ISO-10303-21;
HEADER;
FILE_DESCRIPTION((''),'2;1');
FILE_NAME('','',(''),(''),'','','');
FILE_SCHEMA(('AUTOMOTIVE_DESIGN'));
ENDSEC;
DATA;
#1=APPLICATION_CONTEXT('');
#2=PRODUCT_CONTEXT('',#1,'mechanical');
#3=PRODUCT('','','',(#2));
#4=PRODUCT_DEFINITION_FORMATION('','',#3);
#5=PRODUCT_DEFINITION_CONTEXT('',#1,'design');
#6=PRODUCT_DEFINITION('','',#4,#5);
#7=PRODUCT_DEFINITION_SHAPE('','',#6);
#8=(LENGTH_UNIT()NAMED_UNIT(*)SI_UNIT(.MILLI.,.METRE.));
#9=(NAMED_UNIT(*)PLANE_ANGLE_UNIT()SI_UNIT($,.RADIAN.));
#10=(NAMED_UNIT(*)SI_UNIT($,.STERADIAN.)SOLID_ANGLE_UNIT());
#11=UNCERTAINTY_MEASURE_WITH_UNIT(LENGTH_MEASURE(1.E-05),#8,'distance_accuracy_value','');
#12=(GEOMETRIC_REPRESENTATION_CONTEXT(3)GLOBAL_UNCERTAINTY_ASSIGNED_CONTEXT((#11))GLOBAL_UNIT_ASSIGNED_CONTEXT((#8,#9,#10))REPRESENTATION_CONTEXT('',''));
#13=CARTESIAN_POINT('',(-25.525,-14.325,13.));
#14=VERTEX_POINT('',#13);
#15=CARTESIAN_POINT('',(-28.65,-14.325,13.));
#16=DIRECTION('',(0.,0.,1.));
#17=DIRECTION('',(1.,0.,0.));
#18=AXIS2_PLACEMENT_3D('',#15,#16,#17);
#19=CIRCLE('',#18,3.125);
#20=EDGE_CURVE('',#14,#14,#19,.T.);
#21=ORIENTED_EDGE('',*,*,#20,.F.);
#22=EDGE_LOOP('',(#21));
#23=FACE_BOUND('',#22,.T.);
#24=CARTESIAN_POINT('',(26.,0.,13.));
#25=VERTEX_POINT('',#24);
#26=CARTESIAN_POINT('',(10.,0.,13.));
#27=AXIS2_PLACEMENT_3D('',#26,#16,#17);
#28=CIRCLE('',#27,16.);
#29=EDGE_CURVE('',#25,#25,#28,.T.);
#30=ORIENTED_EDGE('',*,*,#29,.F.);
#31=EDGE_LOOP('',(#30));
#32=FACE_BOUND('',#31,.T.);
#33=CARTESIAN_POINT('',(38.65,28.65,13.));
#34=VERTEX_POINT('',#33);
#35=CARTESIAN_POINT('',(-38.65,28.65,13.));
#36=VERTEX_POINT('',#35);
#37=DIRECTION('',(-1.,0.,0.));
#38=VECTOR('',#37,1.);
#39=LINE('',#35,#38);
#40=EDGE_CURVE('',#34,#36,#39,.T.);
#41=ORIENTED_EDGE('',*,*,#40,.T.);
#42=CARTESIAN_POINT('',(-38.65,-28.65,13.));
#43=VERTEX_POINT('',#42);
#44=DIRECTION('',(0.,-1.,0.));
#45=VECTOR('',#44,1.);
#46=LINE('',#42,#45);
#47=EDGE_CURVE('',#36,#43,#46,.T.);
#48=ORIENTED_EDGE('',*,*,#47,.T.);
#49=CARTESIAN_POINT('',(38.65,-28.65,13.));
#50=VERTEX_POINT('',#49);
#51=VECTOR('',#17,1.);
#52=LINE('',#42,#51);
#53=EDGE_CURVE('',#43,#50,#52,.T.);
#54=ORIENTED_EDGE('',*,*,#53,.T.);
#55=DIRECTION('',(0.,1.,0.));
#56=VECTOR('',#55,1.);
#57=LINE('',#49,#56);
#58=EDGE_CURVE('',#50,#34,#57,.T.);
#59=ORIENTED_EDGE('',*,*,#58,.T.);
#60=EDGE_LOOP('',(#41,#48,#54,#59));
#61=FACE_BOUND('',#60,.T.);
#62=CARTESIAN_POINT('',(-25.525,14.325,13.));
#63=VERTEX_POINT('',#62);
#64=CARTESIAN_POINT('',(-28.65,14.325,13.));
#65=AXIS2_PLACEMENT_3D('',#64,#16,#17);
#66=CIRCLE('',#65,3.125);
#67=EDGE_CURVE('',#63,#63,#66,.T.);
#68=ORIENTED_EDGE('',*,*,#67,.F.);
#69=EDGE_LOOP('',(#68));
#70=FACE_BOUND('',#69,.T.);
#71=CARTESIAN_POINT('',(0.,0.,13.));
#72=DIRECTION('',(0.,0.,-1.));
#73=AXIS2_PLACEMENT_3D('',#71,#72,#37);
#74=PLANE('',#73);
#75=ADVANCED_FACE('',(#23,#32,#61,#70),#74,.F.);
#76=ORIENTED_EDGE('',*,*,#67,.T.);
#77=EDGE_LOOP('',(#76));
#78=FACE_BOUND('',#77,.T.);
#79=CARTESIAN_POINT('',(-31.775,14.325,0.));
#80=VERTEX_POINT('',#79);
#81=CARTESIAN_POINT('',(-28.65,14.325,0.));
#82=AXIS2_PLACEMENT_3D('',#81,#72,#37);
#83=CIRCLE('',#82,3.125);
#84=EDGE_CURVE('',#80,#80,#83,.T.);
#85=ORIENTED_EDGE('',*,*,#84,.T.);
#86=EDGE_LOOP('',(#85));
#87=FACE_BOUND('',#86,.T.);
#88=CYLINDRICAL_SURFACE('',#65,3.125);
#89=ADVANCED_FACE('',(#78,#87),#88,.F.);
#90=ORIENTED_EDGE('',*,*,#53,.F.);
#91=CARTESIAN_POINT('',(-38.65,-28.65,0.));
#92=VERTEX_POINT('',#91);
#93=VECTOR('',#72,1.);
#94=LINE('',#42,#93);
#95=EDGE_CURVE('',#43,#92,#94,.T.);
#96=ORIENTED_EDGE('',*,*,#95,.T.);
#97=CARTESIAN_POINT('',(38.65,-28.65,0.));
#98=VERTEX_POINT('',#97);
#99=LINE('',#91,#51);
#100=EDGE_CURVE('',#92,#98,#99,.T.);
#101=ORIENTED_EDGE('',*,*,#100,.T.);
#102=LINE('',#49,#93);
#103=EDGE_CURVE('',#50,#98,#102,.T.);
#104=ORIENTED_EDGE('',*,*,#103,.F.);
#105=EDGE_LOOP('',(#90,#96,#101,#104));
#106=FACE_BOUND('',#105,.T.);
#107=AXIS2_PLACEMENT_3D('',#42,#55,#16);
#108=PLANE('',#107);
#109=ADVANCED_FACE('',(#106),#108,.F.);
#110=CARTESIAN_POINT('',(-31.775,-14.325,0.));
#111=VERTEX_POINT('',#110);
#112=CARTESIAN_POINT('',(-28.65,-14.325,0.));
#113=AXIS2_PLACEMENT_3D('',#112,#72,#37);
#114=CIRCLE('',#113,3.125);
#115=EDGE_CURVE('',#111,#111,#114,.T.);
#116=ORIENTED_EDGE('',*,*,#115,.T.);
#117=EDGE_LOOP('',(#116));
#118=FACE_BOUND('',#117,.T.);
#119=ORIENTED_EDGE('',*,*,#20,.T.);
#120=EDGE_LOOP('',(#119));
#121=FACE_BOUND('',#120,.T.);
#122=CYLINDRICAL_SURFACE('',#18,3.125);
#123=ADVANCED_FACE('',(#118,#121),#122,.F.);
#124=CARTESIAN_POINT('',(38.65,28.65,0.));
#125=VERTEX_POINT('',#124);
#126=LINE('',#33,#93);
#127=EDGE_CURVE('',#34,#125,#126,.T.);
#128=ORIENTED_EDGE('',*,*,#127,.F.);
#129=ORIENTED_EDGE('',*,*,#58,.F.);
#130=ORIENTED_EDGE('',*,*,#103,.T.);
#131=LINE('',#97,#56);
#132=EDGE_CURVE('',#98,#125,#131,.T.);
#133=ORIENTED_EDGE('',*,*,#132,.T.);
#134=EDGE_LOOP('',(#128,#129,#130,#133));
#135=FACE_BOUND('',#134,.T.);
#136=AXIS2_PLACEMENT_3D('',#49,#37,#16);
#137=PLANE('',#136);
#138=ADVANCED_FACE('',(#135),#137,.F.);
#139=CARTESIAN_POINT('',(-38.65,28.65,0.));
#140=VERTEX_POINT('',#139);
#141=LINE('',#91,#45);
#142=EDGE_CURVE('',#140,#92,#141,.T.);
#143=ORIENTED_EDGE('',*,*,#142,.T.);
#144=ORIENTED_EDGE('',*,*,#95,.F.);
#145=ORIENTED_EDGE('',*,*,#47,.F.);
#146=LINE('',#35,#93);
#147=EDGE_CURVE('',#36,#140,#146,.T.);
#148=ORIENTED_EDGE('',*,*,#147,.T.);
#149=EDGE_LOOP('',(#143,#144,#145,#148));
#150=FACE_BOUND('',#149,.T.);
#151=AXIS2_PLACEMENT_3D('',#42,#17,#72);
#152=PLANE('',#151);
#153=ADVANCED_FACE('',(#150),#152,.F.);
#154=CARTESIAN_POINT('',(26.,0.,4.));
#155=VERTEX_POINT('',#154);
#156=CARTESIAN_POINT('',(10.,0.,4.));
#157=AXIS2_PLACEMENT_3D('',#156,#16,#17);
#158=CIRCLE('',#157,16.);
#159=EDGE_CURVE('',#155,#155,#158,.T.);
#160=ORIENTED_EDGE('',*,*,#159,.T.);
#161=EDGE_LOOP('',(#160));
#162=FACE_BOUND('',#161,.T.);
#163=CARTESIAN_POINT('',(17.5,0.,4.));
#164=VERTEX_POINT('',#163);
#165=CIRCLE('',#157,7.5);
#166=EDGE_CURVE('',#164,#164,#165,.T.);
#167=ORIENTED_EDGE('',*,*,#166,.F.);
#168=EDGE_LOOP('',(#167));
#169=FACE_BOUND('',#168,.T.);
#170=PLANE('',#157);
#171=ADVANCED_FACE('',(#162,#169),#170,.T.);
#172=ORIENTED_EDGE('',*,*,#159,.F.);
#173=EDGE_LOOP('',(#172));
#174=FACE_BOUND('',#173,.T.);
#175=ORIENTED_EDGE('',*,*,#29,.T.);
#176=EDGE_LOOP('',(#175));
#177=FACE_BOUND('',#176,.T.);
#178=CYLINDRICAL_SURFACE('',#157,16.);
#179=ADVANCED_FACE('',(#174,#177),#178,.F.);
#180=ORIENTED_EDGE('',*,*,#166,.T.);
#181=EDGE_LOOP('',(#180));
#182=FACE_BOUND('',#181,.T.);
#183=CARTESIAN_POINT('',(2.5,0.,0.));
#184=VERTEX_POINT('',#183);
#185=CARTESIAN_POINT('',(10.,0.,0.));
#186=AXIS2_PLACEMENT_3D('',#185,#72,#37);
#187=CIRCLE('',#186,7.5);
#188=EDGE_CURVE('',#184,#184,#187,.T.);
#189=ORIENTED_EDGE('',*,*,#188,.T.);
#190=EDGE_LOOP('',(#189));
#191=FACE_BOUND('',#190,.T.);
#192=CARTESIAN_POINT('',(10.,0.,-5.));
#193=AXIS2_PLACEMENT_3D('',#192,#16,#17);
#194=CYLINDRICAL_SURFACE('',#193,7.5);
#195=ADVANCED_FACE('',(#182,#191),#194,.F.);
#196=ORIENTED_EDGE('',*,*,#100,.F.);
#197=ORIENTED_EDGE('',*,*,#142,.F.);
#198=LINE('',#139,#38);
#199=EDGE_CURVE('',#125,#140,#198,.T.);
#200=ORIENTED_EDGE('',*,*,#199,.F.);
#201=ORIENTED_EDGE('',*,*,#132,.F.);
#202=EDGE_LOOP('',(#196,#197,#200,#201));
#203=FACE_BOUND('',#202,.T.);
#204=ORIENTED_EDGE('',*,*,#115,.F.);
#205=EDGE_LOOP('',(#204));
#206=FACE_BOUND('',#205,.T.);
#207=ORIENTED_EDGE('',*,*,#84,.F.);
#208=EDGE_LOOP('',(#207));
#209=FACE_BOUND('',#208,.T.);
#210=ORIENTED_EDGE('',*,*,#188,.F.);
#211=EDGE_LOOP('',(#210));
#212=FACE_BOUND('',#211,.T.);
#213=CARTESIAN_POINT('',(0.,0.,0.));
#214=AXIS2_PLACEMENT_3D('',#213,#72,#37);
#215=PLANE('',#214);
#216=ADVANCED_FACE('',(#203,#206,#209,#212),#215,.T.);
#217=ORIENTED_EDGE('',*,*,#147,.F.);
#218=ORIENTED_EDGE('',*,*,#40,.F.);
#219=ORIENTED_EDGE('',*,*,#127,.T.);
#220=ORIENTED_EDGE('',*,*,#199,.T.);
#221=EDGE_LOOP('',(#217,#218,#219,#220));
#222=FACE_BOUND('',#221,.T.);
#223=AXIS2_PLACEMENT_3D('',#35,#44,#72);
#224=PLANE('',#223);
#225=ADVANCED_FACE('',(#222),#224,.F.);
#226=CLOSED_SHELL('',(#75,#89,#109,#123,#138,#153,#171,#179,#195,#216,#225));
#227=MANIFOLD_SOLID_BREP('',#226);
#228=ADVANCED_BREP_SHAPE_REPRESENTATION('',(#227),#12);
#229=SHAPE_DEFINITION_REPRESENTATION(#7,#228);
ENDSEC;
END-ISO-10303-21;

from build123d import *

# Parameters (mm, degrees)
SKETCH1_W                        = 77.3
SKETCH1_H                        = 57.3
BOSS_EXTRUDE1_DEPTH              = 13
TAP_DRILL_FOR_M6_HELICOIL1_D     = 6.25
TAP_DRILL_FOR_M6_HELICOIL1_DEPTH = 20
TAP_DRILL_FOR_M6_HELICOIL1_TIP   = 1.877689434
SKETCH2_R                        = 16
CUT_EXTRUDE1_DEPTH               = 9
SKETCH6_R                        = 7.5
CUT_EXTRUDE2_DEPTH               = 9


with BuildPart() as part:
    # Sketch1 → Boss-Extrude1 (new body)
    with BuildSketch(Plane.XY):
        Rectangle(SKETCH1_W, SKETCH1_H)
    extrude(amount=BOSS_EXTRUDE1_DEPTH)

    # Tap Drill for M6 Helicoil1
    with Locations(Plane(origin=(-28.65, 14.325, 13), x_dir=(1, 0, 0), z_dir=(0, 0, 1))):
        with Locations((0, 0), (0, -28.65)):
            Hole(TAP_DRILL_FOR_M6_HELICOIL1_D / 2, depth=TAP_DRILL_FOR_M6_HELICOIL1_DEPTH)
            with Locations((0, 0, -(TAP_DRILL_FOR_M6_HELICOIL1_DEPTH + TAP_DRILL_FOR_M6_HELICOIL1_TIP / 2))):  # 118° drill point
                Cone(0, TAP_DRILL_FOR_M6_HELICOIL1_D / 2, TAP_DRILL_FOR_M6_HELICOIL1_TIP, mode=Mode.SUBTRACT)

    # Sketch2 → Cut-Extrude1 (cut)
    with BuildSketch(Plane.XY.offset(13)):
        with Locations((10, 0)):
            Circle(SKETCH2_R)
    extrude(amount=-CUT_EXTRUDE1_DEPTH, mode=Mode.SUBTRACT)

    # Sketch6 → Cut-Extrude2 (cut)
    with BuildSketch(Plane.XY.offset(4)):
        with Locations((10, 0)):
            Circle(SKETCH6_R)
    extrude(amount=-CUT_EXTRUDE2_DEPTH, mode=Mode.SUBTRACT)


solid = part.part
